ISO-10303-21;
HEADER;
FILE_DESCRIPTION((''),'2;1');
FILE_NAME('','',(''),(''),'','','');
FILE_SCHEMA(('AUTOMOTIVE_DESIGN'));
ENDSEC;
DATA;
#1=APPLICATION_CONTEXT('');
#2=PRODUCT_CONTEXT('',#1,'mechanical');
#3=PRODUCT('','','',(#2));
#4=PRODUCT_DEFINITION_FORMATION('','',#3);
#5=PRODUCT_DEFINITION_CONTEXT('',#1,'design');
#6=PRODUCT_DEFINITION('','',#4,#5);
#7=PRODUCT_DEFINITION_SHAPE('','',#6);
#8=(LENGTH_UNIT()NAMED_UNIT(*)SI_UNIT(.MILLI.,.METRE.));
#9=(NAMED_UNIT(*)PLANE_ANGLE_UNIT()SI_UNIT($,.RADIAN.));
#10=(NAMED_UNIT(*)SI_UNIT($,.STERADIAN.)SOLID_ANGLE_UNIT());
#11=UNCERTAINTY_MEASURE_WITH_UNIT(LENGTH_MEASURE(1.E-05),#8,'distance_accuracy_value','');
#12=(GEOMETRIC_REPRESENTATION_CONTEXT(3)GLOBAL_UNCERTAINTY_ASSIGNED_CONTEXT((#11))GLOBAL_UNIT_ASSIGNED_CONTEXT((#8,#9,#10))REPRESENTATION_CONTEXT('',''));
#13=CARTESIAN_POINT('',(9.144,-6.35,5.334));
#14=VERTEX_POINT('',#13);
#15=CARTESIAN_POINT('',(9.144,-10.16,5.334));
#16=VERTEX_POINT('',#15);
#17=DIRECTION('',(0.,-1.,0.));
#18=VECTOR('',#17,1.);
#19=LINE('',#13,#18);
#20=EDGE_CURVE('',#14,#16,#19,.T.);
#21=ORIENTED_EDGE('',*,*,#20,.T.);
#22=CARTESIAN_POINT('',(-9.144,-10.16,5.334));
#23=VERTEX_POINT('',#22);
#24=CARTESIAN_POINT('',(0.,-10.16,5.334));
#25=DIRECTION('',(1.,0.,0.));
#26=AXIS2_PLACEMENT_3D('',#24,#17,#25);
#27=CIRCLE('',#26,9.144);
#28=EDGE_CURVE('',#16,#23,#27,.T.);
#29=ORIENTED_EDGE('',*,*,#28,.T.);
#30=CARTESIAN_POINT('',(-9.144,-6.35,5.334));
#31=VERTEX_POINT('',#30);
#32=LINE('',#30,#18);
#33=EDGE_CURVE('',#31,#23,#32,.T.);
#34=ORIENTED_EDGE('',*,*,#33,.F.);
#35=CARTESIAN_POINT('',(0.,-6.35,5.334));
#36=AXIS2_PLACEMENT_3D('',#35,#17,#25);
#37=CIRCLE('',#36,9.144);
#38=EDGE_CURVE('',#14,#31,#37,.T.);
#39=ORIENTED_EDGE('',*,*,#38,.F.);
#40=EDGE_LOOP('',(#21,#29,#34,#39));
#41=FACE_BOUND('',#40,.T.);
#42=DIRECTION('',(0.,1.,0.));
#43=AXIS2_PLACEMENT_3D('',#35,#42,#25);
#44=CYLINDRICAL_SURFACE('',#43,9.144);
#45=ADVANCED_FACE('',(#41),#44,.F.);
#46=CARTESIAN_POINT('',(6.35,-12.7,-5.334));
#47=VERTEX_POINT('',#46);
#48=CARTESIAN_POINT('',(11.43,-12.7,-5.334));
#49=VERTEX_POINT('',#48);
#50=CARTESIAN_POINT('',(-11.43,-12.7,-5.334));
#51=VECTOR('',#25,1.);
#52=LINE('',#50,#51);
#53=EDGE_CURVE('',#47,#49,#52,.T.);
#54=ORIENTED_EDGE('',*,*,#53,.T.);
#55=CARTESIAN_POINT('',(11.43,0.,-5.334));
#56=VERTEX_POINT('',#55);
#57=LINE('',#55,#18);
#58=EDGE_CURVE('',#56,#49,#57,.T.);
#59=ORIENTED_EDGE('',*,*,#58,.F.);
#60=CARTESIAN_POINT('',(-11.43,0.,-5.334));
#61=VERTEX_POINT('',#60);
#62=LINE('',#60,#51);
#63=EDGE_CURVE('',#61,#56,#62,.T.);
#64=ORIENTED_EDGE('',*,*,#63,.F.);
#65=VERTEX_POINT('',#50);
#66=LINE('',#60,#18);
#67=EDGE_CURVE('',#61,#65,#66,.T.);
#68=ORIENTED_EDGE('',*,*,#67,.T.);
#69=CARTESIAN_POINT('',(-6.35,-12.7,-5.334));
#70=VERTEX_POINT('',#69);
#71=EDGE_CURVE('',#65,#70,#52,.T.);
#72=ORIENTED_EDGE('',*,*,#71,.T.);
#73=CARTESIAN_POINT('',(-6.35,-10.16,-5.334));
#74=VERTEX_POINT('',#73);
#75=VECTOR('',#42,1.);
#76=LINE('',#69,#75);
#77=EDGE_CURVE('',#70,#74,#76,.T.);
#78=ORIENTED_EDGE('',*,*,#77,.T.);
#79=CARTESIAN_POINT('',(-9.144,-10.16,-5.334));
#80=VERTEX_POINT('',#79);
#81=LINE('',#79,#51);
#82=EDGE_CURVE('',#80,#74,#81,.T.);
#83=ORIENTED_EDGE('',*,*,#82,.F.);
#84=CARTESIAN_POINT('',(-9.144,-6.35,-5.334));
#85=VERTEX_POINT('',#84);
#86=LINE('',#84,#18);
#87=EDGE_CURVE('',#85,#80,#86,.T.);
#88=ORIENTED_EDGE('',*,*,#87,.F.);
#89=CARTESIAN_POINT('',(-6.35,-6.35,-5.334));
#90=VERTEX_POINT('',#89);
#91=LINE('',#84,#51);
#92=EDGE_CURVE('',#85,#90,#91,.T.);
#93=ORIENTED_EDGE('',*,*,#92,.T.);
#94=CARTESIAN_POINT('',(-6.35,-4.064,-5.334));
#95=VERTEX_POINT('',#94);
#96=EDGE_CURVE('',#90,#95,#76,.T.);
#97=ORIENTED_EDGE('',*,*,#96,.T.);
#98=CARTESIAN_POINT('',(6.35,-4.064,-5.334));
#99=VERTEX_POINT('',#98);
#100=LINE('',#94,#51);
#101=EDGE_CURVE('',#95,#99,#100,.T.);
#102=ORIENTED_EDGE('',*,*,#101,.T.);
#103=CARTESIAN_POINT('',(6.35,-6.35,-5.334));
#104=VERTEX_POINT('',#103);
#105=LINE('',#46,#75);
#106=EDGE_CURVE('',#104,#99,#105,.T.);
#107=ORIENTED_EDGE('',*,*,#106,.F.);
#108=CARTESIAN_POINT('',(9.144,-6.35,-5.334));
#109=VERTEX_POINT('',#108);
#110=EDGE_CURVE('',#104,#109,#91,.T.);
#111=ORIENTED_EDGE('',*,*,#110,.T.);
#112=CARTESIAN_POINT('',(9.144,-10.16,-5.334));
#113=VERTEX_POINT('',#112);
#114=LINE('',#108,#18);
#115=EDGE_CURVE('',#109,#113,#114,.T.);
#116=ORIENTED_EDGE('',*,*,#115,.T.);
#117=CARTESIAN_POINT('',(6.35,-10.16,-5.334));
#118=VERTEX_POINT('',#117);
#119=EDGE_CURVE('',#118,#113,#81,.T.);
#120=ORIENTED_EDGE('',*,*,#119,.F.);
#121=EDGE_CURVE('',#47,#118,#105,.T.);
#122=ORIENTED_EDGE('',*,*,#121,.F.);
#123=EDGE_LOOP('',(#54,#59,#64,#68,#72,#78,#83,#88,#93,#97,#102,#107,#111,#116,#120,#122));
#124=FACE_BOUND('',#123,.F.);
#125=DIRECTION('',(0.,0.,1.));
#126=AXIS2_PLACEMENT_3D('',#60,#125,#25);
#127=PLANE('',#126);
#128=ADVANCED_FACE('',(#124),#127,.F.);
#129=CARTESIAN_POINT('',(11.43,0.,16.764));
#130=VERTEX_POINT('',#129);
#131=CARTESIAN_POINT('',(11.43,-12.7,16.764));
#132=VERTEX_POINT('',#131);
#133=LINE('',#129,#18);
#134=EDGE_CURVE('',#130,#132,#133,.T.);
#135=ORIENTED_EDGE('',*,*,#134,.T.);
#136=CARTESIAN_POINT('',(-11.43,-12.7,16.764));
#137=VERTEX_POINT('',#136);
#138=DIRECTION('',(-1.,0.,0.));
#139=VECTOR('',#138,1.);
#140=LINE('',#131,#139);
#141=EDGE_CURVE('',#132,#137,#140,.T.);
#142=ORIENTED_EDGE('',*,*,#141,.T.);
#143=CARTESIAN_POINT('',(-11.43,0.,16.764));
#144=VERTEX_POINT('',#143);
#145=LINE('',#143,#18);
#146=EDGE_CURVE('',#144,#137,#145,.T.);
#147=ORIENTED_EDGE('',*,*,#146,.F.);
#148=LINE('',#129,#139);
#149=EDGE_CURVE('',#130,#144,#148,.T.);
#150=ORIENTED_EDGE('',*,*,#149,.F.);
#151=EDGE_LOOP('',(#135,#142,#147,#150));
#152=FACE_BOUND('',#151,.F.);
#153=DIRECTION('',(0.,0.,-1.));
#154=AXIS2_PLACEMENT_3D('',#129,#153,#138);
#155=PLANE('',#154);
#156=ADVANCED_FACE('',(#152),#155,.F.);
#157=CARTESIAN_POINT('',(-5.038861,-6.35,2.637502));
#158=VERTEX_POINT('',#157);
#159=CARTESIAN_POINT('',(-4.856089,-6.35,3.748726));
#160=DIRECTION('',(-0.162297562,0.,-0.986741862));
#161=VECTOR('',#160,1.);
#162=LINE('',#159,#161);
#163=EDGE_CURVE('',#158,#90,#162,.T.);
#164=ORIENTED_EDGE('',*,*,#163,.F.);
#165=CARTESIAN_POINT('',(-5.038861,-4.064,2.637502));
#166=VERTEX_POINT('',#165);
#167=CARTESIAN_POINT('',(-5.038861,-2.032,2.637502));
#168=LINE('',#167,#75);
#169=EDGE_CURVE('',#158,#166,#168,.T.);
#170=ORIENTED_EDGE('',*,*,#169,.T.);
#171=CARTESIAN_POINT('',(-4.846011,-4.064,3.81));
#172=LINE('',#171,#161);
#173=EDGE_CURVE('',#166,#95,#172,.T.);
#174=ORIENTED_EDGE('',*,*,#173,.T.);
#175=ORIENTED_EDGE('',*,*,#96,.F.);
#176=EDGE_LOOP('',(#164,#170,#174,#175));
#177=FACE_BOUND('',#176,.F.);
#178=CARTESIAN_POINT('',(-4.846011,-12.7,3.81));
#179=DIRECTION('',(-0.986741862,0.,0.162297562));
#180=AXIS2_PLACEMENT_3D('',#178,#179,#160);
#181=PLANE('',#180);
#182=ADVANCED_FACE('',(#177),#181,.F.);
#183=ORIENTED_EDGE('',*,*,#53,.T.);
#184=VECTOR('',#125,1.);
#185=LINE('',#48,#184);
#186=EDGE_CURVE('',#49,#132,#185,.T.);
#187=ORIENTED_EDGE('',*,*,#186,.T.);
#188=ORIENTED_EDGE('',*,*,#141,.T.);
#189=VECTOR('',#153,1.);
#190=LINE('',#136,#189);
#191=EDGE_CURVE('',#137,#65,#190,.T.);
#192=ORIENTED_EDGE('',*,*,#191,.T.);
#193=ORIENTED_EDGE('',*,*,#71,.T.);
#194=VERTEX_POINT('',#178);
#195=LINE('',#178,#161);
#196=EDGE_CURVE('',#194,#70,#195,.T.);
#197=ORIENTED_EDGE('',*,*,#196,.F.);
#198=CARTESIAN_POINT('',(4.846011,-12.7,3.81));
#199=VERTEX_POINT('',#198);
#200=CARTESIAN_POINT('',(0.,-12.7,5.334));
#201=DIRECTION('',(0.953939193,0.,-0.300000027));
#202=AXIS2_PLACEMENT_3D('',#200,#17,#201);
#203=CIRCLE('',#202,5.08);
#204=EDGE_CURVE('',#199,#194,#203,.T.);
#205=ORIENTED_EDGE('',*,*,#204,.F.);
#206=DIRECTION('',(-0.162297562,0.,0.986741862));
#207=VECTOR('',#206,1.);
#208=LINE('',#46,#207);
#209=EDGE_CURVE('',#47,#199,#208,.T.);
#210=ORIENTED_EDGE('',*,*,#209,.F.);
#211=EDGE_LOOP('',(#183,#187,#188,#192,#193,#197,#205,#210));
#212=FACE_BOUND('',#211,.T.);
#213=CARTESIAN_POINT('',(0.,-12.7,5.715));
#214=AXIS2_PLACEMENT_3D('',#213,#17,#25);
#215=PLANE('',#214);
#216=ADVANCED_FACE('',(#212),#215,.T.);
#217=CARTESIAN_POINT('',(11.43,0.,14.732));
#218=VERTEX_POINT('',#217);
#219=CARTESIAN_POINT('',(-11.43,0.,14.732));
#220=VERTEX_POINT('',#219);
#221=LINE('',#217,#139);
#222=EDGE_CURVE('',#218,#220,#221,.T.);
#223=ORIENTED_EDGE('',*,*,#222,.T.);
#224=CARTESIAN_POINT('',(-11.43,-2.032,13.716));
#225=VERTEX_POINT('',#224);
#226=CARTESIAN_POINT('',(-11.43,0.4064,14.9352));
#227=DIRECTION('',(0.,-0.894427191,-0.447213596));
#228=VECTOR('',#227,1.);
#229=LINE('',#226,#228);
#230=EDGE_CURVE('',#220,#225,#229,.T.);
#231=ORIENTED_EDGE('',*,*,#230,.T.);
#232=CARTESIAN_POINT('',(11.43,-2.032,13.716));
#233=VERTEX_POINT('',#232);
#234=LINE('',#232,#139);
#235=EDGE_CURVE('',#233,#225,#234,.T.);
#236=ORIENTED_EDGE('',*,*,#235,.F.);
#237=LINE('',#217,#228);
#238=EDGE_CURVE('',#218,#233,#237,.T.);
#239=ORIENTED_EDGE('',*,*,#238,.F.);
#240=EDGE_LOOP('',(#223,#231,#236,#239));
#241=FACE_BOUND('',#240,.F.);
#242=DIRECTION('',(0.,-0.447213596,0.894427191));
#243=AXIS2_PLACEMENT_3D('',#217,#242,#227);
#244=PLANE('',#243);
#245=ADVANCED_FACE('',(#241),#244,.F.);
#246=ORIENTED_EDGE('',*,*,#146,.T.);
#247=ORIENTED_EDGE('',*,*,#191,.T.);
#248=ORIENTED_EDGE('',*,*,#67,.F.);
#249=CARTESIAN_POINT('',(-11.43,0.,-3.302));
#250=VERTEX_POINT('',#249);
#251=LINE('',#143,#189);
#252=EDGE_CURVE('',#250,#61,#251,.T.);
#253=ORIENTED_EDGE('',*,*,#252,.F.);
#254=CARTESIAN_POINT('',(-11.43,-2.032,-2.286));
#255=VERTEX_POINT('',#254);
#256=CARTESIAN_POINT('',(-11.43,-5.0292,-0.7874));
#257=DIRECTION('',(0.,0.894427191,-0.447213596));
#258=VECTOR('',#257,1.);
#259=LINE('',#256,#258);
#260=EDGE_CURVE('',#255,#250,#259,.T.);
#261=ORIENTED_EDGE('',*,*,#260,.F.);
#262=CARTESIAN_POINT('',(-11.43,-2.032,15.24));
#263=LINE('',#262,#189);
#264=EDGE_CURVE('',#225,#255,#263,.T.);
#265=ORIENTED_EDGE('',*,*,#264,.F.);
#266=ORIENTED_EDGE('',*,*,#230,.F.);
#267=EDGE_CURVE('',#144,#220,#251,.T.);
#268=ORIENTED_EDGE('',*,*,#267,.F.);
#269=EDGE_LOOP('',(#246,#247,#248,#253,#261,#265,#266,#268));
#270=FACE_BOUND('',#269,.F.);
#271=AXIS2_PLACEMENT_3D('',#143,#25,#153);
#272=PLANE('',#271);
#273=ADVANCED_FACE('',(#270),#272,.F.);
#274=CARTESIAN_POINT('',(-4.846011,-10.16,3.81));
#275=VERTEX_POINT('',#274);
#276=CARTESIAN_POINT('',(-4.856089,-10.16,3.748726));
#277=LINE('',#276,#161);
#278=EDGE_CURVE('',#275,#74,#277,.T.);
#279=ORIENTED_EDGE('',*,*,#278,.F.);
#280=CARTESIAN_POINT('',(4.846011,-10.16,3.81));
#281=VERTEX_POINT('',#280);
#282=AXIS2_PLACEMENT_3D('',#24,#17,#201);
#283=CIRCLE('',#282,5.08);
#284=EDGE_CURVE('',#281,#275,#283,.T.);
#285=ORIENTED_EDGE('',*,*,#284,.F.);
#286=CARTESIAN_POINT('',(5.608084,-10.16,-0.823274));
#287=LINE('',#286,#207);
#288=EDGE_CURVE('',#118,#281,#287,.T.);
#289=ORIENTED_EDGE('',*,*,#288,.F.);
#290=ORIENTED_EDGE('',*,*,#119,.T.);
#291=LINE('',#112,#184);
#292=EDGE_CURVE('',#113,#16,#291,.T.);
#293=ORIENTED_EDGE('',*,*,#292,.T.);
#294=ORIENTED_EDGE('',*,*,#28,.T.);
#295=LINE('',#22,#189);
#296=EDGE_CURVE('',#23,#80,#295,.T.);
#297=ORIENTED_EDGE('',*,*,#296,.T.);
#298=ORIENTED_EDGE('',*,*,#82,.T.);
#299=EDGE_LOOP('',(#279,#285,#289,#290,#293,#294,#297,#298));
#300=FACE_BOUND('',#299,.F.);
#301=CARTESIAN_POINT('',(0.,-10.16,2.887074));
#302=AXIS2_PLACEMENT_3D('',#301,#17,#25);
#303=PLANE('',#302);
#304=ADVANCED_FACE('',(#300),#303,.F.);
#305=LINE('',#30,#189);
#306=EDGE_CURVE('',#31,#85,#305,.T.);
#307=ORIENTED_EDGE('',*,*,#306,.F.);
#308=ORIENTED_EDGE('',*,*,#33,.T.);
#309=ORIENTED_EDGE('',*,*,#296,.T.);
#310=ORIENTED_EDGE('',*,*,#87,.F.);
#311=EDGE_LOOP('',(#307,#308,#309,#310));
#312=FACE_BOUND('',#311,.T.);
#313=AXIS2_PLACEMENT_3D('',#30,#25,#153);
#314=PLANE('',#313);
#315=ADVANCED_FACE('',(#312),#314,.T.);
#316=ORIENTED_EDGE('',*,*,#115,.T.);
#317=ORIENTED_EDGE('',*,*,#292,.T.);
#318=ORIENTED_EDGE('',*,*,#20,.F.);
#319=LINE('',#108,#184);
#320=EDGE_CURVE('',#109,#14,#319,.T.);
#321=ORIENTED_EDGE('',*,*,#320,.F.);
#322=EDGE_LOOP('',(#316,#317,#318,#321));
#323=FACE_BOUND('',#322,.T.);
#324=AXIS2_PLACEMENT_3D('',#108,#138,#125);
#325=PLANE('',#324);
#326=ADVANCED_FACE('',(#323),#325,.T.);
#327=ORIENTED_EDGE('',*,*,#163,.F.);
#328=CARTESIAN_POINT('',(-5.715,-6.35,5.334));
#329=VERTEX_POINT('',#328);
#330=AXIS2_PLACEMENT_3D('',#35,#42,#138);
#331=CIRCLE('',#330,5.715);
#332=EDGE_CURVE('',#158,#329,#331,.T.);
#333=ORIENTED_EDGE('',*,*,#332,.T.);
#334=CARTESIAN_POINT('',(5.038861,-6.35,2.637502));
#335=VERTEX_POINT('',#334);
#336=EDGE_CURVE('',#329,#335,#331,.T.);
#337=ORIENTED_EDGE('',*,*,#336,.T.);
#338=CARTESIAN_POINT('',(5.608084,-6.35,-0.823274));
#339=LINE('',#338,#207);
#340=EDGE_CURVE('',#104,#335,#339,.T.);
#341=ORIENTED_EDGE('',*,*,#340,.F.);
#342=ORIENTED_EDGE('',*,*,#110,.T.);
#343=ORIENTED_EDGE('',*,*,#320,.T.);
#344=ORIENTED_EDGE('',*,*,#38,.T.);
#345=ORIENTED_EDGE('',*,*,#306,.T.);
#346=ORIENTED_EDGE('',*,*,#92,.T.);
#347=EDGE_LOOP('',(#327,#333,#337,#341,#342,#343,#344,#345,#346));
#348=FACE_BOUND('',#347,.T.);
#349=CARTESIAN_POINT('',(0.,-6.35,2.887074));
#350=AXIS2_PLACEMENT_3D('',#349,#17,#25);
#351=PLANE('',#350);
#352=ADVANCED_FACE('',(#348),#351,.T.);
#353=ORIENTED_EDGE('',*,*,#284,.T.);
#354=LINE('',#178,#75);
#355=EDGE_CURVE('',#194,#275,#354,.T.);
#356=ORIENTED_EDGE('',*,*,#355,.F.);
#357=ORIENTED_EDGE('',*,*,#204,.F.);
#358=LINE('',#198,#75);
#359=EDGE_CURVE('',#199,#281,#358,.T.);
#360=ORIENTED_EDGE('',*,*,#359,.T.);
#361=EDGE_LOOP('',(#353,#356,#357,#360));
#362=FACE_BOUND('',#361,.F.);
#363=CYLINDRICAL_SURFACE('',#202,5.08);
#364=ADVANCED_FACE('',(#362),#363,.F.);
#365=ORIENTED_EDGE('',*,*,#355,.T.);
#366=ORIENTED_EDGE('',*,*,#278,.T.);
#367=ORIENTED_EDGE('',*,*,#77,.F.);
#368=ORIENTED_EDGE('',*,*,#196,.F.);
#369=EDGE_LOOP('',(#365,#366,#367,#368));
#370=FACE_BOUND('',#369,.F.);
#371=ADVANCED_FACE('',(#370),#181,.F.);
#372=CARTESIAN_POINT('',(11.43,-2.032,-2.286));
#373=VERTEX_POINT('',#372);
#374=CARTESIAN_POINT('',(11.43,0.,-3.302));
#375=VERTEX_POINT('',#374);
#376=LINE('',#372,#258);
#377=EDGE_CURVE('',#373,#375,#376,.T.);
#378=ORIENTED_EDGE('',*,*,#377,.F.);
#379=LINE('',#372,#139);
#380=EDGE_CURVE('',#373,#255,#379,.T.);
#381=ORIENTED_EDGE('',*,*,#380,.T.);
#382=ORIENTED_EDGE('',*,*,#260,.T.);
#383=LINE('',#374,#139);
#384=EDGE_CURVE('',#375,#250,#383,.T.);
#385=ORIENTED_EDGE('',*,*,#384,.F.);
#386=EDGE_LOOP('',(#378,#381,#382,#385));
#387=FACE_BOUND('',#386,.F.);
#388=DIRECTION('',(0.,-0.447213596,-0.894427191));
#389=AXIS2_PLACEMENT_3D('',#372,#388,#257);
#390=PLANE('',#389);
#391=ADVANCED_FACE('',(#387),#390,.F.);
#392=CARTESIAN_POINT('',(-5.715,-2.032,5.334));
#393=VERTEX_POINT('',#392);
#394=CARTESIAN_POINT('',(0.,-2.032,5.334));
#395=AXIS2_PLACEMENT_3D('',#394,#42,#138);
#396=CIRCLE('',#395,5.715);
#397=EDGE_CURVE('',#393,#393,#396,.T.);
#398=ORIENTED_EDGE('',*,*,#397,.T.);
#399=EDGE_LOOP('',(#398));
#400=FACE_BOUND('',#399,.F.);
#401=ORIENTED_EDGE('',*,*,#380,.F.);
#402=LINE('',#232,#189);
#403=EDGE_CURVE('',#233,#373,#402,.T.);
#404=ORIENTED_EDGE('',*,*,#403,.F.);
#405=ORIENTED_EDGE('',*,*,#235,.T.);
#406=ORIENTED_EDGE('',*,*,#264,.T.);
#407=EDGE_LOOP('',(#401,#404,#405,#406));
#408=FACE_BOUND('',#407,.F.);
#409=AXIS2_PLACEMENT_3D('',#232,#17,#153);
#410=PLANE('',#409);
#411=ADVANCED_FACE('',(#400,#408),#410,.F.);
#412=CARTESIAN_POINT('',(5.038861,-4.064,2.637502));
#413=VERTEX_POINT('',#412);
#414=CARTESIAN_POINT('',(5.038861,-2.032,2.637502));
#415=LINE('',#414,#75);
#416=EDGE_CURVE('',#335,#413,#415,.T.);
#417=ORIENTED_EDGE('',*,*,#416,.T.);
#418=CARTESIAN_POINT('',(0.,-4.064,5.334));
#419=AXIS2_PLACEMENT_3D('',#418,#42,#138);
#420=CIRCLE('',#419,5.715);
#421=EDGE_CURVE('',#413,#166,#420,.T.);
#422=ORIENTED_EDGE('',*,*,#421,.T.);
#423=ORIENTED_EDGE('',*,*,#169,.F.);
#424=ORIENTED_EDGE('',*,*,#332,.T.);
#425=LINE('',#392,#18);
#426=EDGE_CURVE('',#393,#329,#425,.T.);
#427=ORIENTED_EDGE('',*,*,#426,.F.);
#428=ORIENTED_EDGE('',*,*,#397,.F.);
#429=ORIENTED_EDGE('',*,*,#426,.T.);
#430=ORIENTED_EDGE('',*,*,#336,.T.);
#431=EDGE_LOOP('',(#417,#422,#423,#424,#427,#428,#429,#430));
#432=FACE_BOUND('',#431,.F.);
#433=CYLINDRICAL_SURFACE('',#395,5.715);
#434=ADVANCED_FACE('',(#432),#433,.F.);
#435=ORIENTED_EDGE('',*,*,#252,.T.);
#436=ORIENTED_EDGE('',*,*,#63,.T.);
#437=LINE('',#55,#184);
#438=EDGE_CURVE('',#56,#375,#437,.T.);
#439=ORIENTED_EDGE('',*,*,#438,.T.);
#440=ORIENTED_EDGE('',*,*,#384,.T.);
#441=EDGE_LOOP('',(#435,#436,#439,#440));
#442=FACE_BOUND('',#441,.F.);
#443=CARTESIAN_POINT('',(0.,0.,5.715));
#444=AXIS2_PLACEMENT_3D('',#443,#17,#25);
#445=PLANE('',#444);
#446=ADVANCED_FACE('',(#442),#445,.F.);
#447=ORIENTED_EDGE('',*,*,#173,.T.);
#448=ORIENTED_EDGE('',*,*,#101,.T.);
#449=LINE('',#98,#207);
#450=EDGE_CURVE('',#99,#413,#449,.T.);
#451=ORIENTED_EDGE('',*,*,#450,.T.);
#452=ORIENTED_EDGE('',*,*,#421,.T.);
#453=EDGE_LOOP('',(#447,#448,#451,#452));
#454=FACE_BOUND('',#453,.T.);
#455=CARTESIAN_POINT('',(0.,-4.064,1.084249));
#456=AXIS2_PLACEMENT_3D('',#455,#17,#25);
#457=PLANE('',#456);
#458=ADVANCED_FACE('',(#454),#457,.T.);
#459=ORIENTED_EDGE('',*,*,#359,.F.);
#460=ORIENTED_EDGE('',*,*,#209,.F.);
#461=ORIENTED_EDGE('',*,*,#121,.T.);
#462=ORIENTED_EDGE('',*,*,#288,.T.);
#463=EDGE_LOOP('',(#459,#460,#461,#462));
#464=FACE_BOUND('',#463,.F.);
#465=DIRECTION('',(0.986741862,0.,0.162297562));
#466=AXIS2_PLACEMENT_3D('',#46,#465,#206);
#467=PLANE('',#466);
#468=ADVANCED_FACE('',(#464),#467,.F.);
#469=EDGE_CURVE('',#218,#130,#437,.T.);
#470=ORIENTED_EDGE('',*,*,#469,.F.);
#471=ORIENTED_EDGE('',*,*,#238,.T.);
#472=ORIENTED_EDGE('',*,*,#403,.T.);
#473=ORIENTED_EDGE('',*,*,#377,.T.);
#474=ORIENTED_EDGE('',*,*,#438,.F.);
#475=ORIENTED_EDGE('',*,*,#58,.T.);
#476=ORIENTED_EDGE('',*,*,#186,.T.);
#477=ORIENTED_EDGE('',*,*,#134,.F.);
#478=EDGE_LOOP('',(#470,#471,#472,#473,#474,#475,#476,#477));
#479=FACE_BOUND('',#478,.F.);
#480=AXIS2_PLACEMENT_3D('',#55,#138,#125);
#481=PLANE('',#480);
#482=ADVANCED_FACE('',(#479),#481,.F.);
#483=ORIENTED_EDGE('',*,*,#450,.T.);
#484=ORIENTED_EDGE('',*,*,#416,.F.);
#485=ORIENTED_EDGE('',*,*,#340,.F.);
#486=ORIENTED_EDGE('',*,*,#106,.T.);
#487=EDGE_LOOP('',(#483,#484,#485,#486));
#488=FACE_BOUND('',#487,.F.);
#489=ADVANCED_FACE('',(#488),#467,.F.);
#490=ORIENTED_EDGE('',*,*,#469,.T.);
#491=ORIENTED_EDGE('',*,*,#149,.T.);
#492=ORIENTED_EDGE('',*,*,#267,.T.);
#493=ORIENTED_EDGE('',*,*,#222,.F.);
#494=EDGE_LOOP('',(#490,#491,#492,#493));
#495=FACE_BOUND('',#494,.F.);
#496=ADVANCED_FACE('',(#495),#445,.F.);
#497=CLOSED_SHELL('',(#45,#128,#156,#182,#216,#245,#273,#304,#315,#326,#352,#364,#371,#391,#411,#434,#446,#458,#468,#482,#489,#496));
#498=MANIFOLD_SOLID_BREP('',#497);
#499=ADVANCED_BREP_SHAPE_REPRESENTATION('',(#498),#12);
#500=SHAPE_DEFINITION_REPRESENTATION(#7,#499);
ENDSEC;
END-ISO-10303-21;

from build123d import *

# Parameters (mm, degrees)
F1_DEPTH  = 12.7
F4_DEPTH  = 3.81
F6_DEPTH  = 8.636
F8_DEPTH  = 25.4
F9_R      = 5.715
F10_DEPTH = 4.318


with BuildPart() as f1:
    # F0 (on Front) → F1 (new body)
    with BuildSketch(Plane.XZ):
        Polygon((-11.43, -5.334), (11.43, -5.334), (11.43, 5.334), (11.43, 16.764), (-11.43, 16.764), (-11.43, 5.334), align=None)
    extrude(amount=F1_DEPTH)

    # F3 (on offset) → F4 (cut)
    with BuildSketch(Plane.XZ.offset(6.35)):
        with BuildLine():
            Line((-9.144, -5.334), (9.144, -5.334))
            Line((9.144, -5.334), (9.144, 5.334))
            ThreePointArc((9.144, 5.334), (0, 14.478), (-9.144, 5.334))
            Line((-9.144, 5.334), (-9.144, -5.334))
        make_face()
    extrude(amount=F4_DEPTH, mode=Mode.SUBTRACT)

    # F5 (on face) → F6 (cut)
    with BuildSketch(Plane.XZ.offset(12.7)):
        with BuildLine():
            Line((6.35, -5.334), (4.846011, 3.81))
            ThreePointArc((4.846011, 3.81), (0, 10.414), (-4.846011, 3.81))
            Line((-4.846011, 3.81), (-6.35, -5.334))
            Line((-6.35, -5.334), (6.35, -5.334))
        make_face()
    extrude(amount=-F6_DEPTH, mode=Mode.SUBTRACT)

    # F7 (on face) → F8 (cut)
    with BuildSketch(Plane.YZ.offset(11.43)):
        Polygon((-2.032, -2.286), (0, -3.302), (0, 14.732), (-2.032, 13.716), align=None)
    extrude(amount=-F8_DEPTH, mode=Mode.SUBTRACT)

    # F9 (on face) → F10 (cut, through all)
    with BuildSketch(Plane(origin=(0, -2.032, 0), x_dir=(-1, 0, 0), z_dir=(0, 1, 0))):
        with Locations((0, 5.334)):
            Circle(F9_R)
    extrude(amount=-F10_DEPTH, mode=Mode.SUBTRACT)


solid = f1.part
